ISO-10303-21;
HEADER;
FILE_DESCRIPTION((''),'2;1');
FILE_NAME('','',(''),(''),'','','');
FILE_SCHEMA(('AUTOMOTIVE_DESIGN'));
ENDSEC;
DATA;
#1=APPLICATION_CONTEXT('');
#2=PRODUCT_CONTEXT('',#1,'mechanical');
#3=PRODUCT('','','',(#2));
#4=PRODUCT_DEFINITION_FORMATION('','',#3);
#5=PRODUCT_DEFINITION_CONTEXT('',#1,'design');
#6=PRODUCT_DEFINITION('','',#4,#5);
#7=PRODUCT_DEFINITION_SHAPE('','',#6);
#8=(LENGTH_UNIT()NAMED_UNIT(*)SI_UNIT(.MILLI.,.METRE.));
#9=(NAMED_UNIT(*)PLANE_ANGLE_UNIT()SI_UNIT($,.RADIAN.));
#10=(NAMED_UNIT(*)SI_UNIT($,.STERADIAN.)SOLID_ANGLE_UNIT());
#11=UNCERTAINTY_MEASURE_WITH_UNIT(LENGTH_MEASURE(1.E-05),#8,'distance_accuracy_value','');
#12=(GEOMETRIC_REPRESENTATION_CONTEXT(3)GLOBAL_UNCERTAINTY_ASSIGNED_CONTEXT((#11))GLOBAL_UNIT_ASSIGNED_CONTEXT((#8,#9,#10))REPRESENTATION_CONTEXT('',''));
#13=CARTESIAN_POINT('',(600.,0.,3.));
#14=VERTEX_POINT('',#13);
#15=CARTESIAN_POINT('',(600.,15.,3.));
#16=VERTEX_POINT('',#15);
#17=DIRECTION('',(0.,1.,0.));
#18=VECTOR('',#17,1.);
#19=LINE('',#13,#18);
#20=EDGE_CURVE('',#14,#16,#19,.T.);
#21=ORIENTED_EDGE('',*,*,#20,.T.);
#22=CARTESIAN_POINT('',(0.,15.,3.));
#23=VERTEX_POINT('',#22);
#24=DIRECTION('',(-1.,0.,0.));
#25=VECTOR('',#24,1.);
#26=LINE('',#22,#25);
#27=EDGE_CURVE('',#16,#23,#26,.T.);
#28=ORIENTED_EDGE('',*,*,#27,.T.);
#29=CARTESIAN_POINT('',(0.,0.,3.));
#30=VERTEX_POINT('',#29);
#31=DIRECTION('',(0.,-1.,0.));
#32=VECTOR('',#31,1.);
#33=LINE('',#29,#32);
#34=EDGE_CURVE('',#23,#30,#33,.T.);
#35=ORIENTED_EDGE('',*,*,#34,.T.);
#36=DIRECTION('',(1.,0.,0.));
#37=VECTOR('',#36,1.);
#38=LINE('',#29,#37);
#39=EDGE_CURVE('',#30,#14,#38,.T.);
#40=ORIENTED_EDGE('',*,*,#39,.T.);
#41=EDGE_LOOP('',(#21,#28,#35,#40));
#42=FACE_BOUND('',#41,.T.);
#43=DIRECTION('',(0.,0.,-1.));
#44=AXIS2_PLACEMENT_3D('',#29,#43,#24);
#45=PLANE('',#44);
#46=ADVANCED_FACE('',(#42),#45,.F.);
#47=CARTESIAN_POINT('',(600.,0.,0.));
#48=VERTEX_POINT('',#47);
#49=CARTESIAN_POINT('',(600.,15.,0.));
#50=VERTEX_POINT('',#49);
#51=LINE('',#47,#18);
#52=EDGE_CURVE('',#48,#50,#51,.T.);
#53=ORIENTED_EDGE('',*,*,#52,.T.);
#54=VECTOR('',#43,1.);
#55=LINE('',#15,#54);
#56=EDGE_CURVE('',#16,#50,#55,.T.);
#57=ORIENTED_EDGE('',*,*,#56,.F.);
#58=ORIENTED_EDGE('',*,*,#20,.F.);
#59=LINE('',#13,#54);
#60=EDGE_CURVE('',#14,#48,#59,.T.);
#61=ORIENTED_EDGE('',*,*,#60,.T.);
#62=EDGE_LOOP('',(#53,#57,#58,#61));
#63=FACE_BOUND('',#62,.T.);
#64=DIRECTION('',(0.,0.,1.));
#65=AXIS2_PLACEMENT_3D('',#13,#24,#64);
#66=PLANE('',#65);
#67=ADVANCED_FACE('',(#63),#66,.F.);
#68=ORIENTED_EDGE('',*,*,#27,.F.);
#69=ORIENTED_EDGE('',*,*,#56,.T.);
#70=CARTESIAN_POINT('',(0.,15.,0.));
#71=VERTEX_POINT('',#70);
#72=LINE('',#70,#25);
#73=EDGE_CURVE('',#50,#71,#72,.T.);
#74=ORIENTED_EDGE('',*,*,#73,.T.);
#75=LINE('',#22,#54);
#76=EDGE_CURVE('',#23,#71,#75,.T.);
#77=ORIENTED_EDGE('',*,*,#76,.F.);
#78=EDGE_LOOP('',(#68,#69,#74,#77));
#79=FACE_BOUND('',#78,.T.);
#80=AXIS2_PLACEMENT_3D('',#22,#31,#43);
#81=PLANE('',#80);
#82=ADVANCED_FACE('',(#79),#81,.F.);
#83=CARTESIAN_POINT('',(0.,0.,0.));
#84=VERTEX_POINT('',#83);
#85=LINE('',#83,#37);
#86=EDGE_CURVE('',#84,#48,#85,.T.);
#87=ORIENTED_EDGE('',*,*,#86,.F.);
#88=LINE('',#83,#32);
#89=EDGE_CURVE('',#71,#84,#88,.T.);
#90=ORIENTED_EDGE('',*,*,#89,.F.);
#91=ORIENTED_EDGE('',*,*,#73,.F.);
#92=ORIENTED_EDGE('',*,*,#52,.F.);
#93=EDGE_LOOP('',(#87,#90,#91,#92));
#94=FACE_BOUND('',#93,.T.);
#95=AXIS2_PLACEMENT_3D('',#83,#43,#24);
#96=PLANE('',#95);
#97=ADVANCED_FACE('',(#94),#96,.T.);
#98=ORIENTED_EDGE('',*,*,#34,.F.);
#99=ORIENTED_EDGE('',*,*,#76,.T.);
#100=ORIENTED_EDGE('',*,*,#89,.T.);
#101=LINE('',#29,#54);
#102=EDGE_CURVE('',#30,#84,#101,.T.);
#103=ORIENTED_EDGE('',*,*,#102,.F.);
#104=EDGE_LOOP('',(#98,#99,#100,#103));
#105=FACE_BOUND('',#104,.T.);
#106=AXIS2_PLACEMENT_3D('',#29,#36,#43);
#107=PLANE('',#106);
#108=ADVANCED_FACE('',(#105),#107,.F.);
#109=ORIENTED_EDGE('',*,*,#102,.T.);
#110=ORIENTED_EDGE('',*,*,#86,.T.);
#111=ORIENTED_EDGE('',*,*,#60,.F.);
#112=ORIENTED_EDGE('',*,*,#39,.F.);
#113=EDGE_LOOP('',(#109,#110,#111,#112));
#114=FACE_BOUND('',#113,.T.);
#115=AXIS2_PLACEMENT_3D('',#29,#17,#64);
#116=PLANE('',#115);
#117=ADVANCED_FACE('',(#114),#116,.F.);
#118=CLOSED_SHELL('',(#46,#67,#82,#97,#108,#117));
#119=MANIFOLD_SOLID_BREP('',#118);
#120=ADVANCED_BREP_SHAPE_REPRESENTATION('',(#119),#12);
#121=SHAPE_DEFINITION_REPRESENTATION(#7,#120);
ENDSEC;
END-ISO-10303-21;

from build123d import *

# Parameters (mm, degrees)
SKETCH2_W           = 600
SKETCH2_H           = 15
BOSS_EXTRUDE1_DEPTH = 3


with BuildPart() as part:
    # Sketch2 → Boss-Extrude1 (new body)
    with BuildSketch(Plane.XY):
        with Locations((300, 7.5)):
            Rectangle(SKETCH2_W, SKETCH2_H)
    extrude(amount=BOSS_EXTRUDE1_DEPTH)


solid = part.part
